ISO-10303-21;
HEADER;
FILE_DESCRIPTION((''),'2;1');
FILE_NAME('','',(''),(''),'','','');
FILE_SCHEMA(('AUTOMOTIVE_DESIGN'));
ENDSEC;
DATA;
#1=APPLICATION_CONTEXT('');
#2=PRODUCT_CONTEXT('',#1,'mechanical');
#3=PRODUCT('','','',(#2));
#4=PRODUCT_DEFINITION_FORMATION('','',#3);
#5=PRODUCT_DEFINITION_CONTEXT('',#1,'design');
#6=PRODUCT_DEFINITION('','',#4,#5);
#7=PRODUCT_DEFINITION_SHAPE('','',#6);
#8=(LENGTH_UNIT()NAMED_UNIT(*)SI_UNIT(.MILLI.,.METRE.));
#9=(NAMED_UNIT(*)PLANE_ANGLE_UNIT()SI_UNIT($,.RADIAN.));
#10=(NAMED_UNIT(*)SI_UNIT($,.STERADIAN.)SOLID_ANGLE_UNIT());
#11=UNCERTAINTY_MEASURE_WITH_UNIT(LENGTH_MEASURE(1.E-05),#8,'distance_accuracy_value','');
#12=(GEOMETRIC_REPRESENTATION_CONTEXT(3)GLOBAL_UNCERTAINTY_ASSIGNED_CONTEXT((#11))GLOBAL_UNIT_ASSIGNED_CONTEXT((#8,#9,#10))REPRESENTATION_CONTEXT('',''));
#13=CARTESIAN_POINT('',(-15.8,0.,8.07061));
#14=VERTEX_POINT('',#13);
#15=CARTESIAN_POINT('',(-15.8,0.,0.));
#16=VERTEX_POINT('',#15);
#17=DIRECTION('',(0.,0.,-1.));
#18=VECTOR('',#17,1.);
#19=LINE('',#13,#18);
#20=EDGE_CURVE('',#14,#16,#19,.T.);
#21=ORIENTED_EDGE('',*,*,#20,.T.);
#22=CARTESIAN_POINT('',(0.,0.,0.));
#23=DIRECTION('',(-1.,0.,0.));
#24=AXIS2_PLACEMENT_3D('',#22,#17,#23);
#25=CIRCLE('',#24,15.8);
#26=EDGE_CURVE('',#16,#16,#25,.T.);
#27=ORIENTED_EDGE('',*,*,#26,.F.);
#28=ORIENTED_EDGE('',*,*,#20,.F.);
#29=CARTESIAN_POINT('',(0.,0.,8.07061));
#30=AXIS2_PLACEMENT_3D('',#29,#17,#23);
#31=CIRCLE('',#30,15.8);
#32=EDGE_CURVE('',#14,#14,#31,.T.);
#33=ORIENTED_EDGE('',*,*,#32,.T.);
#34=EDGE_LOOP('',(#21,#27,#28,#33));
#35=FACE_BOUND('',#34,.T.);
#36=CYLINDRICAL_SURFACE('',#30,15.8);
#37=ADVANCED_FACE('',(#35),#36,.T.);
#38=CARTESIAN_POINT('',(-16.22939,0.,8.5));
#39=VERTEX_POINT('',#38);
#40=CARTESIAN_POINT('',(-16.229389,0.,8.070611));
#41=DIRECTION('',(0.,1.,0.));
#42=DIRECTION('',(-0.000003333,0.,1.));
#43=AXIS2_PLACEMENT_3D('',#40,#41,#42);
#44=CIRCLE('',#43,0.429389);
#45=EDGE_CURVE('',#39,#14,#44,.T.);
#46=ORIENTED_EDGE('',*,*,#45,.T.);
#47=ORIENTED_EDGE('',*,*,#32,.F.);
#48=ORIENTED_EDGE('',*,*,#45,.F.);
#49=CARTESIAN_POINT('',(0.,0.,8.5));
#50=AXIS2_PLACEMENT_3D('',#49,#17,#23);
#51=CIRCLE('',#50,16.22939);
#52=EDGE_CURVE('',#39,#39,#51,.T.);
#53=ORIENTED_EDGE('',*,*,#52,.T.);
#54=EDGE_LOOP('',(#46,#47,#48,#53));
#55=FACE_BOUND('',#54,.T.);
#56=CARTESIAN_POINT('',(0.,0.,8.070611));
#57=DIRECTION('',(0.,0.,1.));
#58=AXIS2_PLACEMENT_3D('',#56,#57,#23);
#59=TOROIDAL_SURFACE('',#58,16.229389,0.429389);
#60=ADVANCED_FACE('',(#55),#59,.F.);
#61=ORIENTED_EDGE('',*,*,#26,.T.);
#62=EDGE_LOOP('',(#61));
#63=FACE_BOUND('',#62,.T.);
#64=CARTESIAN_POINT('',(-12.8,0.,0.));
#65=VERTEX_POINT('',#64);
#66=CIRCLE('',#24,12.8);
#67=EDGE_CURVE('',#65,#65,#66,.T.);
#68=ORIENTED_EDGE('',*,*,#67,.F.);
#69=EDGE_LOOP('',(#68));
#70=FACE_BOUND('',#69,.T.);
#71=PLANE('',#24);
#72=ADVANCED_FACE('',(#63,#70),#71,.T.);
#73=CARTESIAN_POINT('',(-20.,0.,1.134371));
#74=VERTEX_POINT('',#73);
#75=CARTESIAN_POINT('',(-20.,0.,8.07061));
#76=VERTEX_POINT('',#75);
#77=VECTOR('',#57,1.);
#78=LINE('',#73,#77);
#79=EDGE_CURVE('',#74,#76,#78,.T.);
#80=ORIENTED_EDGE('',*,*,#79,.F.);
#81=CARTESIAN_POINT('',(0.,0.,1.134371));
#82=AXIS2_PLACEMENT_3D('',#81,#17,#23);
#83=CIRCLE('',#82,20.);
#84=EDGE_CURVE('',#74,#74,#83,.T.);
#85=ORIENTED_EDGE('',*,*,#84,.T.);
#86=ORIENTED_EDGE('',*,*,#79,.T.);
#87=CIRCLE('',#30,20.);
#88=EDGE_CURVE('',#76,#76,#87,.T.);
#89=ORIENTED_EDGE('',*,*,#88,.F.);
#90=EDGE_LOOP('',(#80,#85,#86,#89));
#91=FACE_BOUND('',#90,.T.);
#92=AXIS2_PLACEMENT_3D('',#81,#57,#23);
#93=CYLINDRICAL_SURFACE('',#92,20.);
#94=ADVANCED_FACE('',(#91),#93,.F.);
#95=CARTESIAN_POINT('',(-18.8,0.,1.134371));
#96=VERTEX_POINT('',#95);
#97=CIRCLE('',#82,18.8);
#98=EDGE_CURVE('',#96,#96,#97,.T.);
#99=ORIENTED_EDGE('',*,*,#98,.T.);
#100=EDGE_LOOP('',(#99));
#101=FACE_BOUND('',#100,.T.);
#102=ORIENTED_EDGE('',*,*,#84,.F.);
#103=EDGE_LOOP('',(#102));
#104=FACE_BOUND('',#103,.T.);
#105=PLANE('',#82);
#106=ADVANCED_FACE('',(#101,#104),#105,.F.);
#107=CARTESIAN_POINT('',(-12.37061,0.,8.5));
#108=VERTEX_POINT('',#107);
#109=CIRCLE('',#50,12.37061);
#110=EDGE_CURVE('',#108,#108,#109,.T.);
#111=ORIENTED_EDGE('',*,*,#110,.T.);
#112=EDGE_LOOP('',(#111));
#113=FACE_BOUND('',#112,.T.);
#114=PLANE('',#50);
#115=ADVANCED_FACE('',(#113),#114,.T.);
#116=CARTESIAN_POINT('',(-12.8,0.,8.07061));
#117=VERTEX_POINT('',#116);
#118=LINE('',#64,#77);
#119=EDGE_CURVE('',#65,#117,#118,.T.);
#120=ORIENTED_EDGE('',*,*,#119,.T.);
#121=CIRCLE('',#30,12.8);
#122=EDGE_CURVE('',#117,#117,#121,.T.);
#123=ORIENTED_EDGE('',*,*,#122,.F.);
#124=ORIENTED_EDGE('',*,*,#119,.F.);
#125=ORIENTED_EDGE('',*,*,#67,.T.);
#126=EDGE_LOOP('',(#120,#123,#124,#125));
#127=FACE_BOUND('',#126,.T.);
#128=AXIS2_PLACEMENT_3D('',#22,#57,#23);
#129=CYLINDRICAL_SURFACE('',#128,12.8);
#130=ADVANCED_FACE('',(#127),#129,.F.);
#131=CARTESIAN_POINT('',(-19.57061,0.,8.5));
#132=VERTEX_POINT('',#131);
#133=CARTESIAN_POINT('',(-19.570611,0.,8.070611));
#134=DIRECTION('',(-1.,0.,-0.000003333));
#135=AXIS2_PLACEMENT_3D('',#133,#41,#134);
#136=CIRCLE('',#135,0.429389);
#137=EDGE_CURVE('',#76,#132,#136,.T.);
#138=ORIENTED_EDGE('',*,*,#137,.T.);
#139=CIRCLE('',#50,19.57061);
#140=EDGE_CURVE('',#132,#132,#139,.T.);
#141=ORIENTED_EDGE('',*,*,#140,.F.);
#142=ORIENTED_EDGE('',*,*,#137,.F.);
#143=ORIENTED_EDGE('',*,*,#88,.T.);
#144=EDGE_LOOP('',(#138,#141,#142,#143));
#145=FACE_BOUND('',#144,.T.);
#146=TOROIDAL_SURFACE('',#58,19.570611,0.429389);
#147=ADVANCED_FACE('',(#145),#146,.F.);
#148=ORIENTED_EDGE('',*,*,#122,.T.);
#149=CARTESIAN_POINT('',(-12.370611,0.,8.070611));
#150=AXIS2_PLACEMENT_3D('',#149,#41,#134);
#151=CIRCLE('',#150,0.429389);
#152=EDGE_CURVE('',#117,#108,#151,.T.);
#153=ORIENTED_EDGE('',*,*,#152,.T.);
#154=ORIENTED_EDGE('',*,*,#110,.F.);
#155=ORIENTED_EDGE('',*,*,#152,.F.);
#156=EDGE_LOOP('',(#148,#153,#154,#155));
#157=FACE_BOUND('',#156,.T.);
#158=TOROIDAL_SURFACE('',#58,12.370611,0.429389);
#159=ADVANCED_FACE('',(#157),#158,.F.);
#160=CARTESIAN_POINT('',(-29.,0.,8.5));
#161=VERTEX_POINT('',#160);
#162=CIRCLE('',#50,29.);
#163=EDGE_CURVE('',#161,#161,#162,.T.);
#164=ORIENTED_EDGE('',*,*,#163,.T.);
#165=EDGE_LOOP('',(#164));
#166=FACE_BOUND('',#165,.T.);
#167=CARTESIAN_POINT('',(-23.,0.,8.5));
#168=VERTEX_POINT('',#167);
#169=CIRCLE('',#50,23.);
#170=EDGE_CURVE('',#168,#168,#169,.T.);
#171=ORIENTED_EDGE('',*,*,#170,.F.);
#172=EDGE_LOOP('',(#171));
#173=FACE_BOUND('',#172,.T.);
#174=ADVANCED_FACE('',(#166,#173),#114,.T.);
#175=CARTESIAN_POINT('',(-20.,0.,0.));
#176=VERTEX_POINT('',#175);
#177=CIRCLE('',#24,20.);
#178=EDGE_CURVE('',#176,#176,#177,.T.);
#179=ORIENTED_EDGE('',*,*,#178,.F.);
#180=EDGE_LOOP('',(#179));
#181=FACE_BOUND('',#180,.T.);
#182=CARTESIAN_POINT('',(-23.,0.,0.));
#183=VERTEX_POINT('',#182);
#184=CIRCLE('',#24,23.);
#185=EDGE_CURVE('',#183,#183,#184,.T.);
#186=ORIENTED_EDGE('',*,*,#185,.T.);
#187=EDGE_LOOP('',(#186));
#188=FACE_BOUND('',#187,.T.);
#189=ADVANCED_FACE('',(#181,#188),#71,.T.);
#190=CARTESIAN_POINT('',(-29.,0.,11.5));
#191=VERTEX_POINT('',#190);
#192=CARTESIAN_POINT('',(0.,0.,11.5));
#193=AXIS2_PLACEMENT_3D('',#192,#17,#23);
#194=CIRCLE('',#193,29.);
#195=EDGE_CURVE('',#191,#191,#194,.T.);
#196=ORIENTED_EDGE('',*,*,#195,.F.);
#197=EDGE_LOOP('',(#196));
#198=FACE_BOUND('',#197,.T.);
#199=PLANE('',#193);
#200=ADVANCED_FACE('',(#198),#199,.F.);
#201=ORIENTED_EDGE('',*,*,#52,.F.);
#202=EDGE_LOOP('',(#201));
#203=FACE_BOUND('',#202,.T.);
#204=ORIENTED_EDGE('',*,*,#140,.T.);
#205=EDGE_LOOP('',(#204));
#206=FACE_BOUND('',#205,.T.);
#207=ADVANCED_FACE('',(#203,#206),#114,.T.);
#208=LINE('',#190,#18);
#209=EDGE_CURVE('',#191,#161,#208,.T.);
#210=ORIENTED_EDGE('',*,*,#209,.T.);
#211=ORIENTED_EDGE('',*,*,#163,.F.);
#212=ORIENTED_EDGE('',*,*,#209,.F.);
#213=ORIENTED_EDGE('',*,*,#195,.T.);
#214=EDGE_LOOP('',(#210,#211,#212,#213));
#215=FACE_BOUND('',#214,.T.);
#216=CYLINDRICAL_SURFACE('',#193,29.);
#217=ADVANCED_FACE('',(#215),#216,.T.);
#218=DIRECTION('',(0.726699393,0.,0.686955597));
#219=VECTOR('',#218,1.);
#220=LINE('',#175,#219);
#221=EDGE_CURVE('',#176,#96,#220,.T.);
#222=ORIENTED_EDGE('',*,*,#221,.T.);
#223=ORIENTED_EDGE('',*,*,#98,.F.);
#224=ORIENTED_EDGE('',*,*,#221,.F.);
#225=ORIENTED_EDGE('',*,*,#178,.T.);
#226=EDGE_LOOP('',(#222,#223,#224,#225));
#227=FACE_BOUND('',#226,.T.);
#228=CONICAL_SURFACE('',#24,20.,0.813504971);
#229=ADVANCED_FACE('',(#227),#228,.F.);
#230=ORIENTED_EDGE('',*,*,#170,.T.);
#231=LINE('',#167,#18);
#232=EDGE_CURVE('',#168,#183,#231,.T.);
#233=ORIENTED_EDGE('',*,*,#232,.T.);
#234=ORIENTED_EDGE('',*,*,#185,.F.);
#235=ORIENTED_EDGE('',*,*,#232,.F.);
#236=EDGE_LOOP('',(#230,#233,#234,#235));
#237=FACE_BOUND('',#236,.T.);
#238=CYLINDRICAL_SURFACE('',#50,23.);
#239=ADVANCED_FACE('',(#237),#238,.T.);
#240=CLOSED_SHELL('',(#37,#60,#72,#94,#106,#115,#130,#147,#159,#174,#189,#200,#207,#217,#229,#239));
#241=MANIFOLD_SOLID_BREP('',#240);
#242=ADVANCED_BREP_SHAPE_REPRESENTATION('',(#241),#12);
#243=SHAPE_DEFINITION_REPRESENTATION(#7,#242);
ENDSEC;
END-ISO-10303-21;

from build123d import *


with BuildPart() as f1:
    # F0 (on Front) → F1 (revolve)
    with BuildSketch(Plane.XZ):
        with BuildLine():
            Line((-15.8, 8.07061), (-15.8, 0))
            Line((-15.8, 0), (-12.8, 0))
            Line((-12.8, 0), (-12.8, 8.07061))
            ThreePointArc((-12.8, 8.07061), (-12.674235, 8.374235), (-12.37061, 8.5))
            Line((-12.37061, 8.5), (0, 8.5))
            Line((0, 8.5), (0, 11.5))
            Line((0, 11.5), (-23, 11.5))
            Line((-23, 11.5), (-29, 11.5))
            Line((-29, 11.5), (-29, 8.5))
            Line((-29, 8.5), (-23, 8.5))
            Line((-23, 8.5), (-23, 0))
            Line((-23, 0), (-20, 0))
            Line((-20, 0), (-18.8, 1.134371))
            Line((-18.8, 1.134371), (-20, 1.134371))
            Line((-20, 1.134371), (-20, 8.07061))
            ThreePointArc((-20, 8.07061), (-19.874235, 8.374235), (-19.57061, 8.5))
            Line((-19.57061, 8.5), (-16.22939, 8.5))
            ThreePointArc((-16.22939, 8.5), (-15.925765, 8.374235), (-15.8, 8.07061))
        make_face()
    revolve(axis=Axis((0, 0, 10), (0, 0, -1)))


solid = f1.part
